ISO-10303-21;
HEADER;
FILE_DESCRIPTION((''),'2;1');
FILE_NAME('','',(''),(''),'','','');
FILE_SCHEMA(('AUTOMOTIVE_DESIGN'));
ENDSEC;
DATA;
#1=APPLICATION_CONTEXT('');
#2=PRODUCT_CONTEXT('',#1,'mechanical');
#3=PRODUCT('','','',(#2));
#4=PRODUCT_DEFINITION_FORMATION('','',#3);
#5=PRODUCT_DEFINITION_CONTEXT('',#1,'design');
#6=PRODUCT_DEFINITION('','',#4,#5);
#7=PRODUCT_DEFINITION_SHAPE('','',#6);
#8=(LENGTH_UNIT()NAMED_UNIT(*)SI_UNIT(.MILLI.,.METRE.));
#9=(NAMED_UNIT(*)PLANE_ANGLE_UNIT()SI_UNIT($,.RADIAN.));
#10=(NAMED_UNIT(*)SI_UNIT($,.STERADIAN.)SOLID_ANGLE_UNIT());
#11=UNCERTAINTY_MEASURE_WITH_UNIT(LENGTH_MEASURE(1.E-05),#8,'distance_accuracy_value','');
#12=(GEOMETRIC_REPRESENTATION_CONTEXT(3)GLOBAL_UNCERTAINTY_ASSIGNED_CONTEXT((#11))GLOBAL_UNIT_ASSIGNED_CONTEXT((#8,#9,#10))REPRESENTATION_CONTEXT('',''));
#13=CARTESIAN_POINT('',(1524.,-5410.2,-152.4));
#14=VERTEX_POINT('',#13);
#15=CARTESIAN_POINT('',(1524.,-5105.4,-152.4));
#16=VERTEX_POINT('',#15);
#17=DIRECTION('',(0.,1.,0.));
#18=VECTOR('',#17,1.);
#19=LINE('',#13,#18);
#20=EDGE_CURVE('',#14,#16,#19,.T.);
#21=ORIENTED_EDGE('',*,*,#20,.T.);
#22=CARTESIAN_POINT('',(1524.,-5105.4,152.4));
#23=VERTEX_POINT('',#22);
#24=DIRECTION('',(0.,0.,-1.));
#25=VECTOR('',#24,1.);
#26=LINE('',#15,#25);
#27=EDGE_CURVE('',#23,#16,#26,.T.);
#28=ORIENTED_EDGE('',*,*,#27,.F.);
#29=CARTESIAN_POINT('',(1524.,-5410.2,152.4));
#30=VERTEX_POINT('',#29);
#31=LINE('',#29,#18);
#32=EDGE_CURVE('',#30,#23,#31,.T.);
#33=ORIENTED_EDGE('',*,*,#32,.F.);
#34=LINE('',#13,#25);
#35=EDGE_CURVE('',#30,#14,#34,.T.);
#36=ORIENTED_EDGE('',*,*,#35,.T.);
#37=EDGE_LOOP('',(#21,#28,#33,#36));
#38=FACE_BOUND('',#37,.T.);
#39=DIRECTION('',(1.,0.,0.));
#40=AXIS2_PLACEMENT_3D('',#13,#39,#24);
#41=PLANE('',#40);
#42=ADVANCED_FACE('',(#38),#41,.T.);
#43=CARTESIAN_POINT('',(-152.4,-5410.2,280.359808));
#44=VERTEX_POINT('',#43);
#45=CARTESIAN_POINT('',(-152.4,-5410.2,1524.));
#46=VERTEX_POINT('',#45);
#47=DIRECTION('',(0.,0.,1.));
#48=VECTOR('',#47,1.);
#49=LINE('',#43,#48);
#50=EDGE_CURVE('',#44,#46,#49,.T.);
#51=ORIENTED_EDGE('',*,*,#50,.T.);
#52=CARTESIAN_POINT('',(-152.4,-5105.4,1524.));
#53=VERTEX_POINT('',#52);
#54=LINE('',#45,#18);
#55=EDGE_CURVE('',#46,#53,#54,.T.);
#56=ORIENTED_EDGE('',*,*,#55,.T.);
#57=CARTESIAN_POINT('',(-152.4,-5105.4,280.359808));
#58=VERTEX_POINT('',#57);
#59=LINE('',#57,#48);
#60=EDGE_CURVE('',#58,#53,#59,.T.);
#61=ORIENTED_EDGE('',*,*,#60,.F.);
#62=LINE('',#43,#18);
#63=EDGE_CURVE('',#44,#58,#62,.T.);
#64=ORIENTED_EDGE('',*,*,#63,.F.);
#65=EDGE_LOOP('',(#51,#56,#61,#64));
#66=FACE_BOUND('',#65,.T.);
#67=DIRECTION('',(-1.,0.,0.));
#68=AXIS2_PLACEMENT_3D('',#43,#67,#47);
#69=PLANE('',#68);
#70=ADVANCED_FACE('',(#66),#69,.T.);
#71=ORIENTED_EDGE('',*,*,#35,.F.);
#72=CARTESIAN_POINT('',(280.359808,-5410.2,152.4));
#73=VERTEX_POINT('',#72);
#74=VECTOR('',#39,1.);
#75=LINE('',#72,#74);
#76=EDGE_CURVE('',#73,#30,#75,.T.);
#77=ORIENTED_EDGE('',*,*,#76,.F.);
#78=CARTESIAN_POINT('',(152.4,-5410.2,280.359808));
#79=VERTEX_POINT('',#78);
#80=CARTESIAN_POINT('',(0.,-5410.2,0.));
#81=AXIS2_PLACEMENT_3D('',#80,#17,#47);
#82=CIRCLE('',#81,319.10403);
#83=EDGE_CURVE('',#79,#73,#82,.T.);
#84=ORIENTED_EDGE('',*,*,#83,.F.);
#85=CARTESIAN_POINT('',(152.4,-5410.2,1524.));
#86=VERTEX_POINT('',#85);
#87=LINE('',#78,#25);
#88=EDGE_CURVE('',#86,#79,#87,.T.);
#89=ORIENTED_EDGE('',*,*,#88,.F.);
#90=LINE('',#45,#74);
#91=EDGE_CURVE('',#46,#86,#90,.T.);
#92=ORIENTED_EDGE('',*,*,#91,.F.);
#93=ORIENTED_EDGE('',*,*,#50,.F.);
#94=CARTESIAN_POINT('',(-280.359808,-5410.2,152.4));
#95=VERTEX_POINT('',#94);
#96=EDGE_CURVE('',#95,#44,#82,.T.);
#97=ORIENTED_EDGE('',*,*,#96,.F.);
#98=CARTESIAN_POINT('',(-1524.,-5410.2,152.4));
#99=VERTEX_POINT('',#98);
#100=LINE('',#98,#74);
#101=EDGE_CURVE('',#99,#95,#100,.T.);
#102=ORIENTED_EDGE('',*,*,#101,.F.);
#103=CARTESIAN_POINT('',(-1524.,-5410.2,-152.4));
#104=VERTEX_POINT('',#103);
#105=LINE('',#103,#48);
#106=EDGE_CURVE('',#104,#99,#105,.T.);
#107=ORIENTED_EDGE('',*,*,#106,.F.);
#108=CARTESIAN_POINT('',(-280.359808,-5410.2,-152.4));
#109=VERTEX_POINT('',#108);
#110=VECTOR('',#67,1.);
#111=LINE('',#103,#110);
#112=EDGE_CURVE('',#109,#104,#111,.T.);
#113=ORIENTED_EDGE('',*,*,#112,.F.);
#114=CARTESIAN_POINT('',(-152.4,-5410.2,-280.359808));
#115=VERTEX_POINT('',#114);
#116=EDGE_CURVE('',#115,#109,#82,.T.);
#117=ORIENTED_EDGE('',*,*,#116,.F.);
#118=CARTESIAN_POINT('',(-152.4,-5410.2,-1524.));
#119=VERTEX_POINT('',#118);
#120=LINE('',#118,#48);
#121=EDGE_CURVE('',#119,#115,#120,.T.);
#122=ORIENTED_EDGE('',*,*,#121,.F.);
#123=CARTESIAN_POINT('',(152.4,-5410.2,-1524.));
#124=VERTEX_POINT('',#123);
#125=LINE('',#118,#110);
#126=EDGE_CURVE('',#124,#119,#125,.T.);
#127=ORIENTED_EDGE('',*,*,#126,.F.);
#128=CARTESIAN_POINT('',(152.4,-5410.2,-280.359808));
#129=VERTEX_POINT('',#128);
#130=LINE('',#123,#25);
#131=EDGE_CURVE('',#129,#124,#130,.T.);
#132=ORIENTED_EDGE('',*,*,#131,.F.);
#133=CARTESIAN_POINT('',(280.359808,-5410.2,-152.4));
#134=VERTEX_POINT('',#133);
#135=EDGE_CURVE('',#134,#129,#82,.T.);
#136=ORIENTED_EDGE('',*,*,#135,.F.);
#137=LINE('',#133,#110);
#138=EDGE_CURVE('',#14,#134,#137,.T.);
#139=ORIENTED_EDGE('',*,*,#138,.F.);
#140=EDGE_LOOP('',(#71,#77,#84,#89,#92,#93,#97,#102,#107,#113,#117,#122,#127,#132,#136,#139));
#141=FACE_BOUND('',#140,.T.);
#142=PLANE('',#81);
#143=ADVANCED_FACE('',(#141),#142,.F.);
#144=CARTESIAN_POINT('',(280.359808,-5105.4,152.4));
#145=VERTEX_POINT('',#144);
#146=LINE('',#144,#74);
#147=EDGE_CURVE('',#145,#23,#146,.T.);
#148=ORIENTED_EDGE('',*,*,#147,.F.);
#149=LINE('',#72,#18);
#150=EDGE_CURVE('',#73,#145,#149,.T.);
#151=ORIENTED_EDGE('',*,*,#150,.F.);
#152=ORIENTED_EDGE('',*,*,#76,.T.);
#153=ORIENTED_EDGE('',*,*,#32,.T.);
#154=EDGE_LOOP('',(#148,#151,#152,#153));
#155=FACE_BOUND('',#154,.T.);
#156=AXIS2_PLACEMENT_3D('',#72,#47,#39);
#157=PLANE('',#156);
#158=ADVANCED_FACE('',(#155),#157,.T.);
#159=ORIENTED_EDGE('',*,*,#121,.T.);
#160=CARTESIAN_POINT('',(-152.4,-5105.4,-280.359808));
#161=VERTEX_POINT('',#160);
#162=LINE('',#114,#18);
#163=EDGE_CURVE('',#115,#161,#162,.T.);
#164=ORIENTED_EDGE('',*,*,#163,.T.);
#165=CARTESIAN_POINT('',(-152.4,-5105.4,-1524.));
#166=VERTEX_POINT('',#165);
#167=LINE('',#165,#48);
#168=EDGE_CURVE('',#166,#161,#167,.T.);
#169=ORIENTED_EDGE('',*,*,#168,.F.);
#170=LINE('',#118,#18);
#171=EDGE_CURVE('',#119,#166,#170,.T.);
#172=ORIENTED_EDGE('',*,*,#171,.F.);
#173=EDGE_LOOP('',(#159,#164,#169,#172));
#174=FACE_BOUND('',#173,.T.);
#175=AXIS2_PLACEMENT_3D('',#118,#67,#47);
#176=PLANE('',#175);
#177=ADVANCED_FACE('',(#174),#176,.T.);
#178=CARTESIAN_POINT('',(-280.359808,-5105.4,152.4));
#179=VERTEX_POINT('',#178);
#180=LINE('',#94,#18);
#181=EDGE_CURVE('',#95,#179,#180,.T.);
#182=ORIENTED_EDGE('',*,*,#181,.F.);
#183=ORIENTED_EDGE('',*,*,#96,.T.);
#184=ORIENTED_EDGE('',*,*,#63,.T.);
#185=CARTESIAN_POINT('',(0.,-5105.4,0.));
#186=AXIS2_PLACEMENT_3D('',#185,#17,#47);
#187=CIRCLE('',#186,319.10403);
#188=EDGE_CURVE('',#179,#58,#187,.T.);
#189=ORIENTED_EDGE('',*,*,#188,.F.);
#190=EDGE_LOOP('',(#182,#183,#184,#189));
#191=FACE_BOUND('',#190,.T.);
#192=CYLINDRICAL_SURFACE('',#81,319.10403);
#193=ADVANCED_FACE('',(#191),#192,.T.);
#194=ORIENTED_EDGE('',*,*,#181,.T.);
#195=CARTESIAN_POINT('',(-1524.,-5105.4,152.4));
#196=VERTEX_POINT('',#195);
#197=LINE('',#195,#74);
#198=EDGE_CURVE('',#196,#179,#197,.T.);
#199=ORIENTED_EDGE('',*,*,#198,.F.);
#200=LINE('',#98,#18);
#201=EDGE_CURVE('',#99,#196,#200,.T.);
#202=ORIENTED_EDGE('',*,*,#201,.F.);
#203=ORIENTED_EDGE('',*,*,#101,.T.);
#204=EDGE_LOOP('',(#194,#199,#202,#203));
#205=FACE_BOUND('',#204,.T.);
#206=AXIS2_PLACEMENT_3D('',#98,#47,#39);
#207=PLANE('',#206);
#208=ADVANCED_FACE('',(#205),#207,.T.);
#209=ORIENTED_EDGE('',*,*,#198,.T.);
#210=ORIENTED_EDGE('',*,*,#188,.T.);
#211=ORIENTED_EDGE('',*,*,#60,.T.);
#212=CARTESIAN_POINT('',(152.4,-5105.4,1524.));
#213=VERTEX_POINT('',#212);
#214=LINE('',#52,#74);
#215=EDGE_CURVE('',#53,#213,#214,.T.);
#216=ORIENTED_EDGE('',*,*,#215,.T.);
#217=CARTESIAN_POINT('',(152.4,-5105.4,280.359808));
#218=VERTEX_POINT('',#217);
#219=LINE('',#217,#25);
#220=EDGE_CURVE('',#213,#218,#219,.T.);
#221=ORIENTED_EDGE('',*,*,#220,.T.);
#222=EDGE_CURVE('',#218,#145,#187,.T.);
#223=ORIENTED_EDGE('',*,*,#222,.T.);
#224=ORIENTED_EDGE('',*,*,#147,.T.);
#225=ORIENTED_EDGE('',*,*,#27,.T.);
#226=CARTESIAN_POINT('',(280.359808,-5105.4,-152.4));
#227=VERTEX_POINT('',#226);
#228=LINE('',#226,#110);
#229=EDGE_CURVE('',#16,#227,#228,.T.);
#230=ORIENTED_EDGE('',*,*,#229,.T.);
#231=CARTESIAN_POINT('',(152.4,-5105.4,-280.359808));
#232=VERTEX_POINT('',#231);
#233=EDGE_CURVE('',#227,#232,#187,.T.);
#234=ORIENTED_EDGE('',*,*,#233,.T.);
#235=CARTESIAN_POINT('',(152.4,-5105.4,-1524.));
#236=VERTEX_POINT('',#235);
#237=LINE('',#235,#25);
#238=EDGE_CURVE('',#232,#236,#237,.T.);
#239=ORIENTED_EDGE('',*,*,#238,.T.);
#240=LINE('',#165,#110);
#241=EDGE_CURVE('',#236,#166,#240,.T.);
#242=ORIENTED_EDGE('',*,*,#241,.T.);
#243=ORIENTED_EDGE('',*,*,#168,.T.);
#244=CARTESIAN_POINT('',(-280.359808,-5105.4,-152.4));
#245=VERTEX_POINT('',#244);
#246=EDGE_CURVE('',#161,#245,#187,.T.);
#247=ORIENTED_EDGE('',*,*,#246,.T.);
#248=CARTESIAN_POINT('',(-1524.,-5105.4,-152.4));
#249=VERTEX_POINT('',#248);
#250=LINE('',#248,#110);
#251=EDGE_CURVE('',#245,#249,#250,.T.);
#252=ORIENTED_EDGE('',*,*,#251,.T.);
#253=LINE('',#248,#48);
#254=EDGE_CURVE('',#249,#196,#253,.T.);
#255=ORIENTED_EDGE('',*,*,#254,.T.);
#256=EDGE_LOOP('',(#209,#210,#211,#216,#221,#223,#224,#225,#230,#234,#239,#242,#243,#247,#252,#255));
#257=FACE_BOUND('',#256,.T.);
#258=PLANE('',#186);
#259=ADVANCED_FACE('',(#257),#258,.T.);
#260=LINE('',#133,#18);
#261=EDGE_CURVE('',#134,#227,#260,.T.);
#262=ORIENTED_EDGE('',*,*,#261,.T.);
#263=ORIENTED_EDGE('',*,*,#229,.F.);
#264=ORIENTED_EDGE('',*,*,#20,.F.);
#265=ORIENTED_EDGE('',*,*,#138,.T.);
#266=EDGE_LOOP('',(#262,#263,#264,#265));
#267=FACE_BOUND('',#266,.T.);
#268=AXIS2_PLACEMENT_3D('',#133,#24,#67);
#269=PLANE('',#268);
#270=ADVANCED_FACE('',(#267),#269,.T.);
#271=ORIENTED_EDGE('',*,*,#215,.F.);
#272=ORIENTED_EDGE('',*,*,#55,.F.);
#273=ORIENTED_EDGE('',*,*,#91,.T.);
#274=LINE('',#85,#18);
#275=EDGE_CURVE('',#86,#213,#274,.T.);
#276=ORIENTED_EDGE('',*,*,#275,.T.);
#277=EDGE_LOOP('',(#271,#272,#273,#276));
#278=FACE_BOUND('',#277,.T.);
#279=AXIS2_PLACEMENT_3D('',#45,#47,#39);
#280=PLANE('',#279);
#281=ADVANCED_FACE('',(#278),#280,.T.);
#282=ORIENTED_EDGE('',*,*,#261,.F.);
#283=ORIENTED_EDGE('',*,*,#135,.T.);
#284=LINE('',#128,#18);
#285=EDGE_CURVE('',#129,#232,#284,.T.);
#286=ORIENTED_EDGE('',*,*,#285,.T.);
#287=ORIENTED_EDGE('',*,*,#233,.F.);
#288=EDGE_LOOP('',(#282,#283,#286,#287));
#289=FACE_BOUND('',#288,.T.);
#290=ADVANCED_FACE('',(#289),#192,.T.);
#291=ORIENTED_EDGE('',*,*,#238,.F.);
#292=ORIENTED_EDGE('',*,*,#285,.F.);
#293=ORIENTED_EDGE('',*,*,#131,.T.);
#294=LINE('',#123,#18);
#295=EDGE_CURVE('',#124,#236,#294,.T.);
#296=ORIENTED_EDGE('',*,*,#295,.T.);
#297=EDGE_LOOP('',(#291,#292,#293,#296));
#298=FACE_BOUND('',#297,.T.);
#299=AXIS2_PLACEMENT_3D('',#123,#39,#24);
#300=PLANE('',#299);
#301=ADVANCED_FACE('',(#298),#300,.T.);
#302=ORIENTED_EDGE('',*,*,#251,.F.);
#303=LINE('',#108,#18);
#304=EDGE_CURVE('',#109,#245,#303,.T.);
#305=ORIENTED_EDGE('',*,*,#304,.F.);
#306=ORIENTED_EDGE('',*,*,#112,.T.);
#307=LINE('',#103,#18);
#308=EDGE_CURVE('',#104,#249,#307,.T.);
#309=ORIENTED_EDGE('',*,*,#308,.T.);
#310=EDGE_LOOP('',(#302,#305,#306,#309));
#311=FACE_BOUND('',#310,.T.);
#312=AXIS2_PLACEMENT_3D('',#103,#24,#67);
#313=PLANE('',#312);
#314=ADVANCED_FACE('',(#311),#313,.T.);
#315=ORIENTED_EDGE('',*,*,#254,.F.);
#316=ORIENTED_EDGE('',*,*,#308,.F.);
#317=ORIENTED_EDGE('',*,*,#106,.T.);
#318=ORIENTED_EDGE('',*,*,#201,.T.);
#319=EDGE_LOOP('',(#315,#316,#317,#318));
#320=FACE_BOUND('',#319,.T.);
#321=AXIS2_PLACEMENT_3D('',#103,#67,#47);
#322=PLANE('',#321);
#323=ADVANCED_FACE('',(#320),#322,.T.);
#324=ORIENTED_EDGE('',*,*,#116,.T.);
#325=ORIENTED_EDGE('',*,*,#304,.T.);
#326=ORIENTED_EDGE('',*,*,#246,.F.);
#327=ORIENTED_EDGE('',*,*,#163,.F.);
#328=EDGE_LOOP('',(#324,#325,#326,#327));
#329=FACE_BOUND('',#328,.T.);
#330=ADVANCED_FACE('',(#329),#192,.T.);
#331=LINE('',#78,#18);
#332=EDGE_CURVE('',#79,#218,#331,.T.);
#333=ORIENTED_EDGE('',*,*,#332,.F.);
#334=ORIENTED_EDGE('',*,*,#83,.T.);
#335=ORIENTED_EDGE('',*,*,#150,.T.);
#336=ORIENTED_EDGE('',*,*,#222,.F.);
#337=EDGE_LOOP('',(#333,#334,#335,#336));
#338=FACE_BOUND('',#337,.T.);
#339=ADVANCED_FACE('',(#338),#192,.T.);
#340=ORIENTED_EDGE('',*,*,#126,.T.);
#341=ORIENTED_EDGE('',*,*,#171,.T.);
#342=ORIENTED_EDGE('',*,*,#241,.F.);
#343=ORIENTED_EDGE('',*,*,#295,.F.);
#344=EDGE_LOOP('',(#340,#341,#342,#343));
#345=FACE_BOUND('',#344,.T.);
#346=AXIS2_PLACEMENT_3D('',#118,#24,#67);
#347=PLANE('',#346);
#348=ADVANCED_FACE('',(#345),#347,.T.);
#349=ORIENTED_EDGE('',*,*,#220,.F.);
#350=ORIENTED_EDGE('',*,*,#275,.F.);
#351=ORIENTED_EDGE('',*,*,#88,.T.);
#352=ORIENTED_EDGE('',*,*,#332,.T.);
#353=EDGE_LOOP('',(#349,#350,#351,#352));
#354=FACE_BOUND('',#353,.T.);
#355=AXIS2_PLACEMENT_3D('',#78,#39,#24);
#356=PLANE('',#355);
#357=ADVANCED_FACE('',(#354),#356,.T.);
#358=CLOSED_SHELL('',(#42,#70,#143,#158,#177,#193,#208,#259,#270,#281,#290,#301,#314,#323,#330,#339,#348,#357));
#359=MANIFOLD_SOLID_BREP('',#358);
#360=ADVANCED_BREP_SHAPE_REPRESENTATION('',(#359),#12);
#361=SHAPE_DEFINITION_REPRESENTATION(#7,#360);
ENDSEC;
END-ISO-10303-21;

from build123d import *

# Parameters (mm, degrees)
BOSS_EXTRUDE1_START = -5105.4
BOSS_EXTRUDE1_DEPTH = 304.8


with BuildPart() as part:
    # Sketch1 → Boss-Extrude1 (new body)
    with BuildSketch(Plane(origin=(0, 0, 0), x_dir=(1, 0, 0), z_dir=(0, 1, 0)).offset(BOSS_EXTRUDE1_START)):
        with BuildLine():
            Line((-152.4, -280.359807763), (-152.4, -1524))
            Line((-152.4, -1524), (152.4, -1524))
            Line((152.4, -1524), (152.4, -280.359807763))
            ThreePointArc((152.4, -280.359807763), (225.640623347, -225.640623347), (280.359807763, -152.4))
            Line((280.359807763, -152.4), (1524, -152.4))
            Line((1524, -152.4), (1524, 152.4))
            Line((1524, 152.4), (280.359807763, 152.4))
            ThreePointArc((280.359807763, 152.4), (225.640623347, 225.640623347), (152.4, 280.359807763))
            Line((152.4, 280.359807763), (152.4, 1524))
            Line((152.4, 1524), (-152.4, 1524))
            Line((-152.4, 1524), (-152.4, 280.359807763))
            ThreePointArc((-152.4, 280.359807763), (-225.640623347, 225.640623347), (-280.359807763, 152.4))
            Line((-280.359807763, 152.4), (-1524, 152.4))
            Line((-1524, 152.4), (-1524, -152.4))
            Line((-1524, -152.4), (-280.359807763, -152.4))
            ThreePointArc((-280.359807763, -152.4), (-225.640623347, -225.640623347), (-152.4, -280.359807763))
        make_face()
    extrude(amount=-BOSS_EXTRUDE1_DEPTH)


solid = part.part
